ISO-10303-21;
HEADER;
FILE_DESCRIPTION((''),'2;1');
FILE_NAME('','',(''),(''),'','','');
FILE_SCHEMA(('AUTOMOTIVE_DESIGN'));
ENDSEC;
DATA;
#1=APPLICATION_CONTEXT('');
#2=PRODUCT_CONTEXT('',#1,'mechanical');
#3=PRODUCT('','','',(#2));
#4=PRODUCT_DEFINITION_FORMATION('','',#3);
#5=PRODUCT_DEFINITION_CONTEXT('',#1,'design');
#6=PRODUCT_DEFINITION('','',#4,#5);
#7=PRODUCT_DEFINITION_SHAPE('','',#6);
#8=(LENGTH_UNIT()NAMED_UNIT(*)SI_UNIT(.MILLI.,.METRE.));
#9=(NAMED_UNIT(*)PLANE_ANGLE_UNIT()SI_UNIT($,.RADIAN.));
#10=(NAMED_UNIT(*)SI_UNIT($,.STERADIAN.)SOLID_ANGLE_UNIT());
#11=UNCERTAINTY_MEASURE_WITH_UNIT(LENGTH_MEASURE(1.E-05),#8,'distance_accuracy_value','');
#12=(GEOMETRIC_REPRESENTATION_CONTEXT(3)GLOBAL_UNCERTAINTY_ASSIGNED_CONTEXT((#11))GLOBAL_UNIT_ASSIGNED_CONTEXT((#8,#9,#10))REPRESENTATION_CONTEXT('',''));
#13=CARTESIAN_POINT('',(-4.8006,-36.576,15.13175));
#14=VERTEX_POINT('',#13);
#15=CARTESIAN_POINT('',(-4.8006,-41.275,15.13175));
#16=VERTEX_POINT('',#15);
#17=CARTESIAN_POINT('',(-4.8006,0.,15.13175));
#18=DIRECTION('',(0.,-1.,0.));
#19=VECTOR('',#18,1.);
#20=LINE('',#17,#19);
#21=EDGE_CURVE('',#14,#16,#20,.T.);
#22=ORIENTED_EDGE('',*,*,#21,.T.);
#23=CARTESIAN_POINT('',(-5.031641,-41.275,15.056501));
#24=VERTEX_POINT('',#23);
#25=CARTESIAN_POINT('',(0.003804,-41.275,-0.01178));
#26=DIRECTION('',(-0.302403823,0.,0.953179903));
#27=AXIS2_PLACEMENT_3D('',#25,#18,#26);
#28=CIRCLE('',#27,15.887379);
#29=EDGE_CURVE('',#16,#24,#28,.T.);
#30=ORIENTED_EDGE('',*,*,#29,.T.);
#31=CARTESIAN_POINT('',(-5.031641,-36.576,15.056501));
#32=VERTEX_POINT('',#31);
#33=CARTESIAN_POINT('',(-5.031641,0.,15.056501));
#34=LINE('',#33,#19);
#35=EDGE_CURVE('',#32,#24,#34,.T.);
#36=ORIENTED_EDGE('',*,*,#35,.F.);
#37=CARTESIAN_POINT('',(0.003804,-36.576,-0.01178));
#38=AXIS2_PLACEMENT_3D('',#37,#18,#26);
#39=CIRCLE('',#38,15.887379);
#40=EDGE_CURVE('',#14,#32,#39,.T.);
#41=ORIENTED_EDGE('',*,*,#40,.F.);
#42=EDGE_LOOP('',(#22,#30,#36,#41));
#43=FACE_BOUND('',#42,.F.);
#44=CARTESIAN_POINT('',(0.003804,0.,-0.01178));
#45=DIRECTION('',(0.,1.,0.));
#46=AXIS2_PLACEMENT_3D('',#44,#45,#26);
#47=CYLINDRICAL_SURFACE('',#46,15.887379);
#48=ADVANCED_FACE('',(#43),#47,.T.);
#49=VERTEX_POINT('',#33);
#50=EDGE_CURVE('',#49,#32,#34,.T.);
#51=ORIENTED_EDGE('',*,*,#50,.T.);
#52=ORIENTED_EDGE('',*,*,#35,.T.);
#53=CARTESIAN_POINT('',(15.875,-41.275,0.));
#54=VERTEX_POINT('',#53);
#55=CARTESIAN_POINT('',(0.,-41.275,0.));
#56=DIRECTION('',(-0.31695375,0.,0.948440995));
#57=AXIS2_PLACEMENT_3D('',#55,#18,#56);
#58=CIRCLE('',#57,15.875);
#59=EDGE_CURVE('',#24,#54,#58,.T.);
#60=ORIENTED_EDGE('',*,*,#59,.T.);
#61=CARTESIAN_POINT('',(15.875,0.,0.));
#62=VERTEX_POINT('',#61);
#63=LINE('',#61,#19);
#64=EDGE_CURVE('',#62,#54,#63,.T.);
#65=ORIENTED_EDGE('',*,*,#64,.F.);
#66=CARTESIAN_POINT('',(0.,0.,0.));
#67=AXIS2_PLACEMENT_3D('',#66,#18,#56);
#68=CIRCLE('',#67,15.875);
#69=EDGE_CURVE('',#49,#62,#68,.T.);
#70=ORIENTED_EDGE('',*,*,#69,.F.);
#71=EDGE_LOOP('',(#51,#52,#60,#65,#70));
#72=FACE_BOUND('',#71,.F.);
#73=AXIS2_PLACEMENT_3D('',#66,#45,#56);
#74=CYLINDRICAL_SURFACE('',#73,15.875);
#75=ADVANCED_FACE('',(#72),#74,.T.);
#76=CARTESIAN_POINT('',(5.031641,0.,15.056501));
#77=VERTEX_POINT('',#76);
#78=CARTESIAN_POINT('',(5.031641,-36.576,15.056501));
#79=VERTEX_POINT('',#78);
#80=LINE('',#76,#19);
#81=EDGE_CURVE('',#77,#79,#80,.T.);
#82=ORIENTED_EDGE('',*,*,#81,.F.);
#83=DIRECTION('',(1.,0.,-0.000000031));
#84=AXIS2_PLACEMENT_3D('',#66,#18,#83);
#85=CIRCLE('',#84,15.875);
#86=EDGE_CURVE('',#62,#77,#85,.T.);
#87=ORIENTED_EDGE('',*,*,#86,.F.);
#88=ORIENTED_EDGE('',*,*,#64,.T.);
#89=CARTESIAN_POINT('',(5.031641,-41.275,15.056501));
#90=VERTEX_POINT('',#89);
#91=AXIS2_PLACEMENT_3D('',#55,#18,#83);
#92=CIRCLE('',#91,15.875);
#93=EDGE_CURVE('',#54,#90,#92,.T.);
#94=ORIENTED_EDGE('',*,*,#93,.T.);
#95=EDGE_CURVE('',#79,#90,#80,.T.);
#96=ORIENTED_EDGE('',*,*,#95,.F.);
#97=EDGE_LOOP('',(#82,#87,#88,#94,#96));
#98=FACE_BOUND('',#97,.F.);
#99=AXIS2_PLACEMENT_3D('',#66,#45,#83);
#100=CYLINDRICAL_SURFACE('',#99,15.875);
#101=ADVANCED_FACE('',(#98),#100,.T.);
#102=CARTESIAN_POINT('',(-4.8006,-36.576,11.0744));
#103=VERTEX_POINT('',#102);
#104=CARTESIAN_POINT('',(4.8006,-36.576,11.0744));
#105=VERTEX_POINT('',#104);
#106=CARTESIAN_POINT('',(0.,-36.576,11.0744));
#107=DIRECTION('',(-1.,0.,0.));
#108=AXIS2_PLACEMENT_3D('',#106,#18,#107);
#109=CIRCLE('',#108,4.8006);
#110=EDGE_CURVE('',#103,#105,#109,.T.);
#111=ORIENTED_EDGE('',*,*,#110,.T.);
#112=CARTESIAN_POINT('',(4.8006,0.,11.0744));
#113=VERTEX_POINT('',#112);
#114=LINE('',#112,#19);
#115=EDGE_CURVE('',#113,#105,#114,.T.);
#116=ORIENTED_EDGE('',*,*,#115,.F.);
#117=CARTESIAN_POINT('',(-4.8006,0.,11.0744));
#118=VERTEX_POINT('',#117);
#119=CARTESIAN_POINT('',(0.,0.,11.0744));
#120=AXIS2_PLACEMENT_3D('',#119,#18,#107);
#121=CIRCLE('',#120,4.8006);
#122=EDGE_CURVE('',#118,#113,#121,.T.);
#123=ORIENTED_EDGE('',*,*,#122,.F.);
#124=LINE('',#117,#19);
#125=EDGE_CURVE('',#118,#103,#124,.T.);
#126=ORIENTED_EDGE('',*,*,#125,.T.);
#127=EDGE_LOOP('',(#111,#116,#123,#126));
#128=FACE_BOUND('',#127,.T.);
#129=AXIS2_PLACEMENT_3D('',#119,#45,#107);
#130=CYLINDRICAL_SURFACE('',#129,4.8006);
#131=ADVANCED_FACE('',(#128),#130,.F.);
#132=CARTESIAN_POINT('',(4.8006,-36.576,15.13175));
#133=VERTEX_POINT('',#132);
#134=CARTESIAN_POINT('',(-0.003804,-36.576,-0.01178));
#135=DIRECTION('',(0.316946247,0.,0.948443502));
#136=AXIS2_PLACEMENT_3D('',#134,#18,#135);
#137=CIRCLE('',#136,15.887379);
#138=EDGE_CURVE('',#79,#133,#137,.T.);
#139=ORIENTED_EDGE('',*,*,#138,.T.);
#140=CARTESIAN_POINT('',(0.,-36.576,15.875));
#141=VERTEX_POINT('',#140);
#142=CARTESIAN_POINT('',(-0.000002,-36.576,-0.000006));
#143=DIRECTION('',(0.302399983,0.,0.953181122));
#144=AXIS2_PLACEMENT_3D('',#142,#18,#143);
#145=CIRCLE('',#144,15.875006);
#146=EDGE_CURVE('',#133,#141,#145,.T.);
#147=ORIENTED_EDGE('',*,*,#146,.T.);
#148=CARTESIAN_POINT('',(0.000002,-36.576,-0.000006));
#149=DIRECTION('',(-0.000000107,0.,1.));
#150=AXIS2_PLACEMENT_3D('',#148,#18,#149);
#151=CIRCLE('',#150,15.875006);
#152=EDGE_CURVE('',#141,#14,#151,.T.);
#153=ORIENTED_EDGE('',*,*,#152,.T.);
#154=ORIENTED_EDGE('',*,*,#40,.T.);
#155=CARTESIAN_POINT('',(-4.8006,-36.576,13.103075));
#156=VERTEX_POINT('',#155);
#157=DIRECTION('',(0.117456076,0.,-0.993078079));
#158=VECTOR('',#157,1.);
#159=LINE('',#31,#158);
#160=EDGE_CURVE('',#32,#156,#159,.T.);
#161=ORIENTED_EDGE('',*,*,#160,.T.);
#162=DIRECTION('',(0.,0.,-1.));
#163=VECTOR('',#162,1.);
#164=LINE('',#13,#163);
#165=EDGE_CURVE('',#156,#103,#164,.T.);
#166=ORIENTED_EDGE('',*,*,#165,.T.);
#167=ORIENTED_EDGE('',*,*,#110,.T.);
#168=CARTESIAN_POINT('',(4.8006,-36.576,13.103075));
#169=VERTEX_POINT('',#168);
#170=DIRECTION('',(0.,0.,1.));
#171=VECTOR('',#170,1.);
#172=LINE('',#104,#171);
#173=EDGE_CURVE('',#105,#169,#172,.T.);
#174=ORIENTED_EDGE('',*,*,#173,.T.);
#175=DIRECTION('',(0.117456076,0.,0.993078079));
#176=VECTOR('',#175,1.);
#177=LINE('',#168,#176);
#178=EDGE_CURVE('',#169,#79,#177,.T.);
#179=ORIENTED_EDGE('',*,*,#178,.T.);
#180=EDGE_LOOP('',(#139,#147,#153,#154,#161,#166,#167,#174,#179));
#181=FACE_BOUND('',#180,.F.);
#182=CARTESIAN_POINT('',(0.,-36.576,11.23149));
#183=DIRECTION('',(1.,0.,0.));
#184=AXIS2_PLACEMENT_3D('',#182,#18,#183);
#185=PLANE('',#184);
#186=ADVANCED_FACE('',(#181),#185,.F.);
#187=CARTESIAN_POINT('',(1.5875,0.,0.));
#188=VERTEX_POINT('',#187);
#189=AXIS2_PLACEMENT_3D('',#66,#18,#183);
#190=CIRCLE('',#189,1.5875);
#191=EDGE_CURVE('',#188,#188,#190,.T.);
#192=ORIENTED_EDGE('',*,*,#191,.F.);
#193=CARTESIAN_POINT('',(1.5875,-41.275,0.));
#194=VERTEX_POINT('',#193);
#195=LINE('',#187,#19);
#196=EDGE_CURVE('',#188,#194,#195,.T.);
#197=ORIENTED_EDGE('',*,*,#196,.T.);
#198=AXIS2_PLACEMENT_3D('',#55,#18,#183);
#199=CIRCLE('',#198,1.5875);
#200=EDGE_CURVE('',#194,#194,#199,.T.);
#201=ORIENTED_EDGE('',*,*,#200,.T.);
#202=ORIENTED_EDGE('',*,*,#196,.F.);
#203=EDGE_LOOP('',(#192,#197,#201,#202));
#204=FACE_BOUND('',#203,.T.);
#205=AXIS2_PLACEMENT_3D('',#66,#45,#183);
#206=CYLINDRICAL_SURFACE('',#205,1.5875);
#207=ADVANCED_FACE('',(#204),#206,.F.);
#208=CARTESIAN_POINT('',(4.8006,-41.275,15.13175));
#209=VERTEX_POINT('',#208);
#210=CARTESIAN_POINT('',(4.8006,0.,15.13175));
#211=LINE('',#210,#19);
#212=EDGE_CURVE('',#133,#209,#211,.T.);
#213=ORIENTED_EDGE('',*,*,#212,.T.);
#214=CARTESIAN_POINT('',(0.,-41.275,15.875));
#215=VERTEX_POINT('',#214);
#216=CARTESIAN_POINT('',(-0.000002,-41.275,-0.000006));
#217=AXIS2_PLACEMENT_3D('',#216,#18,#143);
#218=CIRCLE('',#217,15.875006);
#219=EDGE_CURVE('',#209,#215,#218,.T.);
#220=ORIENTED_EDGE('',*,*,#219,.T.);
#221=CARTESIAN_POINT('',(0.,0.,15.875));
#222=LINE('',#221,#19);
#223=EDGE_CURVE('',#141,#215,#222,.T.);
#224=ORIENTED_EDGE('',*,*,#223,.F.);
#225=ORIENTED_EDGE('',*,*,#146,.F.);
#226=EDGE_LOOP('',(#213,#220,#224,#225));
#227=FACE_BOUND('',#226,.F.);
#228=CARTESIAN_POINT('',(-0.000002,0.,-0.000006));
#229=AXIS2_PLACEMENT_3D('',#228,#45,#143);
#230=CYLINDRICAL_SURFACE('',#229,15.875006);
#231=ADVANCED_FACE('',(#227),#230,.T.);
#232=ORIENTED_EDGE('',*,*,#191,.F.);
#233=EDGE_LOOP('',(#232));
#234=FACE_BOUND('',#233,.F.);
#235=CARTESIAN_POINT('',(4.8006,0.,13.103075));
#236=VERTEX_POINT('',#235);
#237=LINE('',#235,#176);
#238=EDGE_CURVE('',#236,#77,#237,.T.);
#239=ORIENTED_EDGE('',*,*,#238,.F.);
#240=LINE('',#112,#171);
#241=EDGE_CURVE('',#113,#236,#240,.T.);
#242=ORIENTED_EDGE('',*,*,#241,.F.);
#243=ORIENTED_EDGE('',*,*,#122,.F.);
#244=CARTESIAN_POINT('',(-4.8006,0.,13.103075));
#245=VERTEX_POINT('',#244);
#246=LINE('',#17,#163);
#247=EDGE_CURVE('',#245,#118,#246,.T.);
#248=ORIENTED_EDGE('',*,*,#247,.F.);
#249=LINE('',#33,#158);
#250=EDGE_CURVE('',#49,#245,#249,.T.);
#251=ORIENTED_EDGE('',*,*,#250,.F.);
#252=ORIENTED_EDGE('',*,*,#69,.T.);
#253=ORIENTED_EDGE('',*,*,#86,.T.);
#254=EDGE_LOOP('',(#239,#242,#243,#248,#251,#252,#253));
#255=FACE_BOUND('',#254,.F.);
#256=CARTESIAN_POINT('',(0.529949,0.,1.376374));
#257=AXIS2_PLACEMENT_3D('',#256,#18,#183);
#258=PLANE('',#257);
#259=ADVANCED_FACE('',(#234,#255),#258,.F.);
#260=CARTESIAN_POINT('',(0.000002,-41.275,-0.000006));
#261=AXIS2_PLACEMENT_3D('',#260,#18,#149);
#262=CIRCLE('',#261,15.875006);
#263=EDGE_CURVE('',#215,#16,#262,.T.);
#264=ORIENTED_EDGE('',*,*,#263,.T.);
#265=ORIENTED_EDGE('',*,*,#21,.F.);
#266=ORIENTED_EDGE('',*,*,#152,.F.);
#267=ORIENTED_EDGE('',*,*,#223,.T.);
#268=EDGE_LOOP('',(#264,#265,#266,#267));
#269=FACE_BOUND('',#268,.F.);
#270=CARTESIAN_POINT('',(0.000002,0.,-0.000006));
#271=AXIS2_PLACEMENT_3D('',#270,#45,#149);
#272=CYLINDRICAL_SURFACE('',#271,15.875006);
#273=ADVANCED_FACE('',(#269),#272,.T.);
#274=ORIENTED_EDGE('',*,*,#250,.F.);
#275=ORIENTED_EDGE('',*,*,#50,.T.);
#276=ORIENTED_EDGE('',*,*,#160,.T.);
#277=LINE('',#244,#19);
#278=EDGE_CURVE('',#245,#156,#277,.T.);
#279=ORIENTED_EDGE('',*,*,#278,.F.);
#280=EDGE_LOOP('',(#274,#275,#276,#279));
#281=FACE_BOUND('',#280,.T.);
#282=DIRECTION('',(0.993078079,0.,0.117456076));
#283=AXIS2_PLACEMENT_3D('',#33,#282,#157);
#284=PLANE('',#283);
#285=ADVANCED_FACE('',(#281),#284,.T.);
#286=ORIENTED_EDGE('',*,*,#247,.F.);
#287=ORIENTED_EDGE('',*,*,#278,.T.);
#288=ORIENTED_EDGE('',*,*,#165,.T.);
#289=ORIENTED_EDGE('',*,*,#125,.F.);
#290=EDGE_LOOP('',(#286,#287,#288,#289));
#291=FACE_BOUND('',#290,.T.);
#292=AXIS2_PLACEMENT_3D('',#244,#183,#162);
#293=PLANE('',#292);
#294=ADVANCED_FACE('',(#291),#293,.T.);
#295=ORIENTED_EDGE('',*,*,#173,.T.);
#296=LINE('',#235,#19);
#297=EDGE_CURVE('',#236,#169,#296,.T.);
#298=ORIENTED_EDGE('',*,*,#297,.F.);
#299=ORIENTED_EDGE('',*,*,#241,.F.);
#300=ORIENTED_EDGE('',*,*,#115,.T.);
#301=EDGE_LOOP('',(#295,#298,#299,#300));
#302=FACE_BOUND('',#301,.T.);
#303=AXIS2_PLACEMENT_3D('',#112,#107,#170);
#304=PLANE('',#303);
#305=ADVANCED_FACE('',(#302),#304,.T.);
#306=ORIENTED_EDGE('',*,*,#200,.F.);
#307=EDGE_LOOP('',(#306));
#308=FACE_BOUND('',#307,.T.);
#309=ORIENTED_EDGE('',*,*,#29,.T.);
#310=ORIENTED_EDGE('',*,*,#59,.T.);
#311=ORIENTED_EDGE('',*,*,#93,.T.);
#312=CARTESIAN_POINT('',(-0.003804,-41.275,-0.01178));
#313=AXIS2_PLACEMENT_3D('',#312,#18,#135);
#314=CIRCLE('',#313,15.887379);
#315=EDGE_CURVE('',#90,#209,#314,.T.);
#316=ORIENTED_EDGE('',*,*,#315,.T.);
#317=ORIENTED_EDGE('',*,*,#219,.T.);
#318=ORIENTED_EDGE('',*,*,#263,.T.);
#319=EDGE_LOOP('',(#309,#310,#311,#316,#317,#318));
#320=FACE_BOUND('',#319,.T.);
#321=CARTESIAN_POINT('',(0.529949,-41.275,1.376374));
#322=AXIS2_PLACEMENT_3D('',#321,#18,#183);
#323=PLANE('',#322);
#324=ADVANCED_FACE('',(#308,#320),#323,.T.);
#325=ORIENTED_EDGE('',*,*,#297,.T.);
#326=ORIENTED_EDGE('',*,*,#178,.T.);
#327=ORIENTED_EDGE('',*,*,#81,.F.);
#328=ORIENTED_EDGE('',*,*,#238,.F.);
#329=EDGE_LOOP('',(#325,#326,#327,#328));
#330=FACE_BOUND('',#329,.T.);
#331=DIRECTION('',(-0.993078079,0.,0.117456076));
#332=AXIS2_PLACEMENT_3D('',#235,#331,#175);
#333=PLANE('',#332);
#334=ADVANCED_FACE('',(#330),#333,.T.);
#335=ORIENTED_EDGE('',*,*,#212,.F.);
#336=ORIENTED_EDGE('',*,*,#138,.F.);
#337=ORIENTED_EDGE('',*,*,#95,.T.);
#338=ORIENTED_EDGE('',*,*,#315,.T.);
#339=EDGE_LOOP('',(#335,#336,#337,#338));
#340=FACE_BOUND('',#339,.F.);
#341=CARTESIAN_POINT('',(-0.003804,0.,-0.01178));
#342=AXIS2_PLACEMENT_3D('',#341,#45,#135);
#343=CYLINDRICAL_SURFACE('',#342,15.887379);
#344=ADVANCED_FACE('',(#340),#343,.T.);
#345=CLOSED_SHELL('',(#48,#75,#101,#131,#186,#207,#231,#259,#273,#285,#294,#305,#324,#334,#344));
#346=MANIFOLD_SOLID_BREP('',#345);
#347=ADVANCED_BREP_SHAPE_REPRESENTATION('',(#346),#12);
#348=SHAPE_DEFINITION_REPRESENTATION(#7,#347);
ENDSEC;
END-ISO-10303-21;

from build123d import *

# Parameters (mm, degrees)
F0_R     = 1.5875
F1_DEPTH = 41.275
F2_DEPTH = 36.576


with BuildPart() as f1:
    # F0 (on Front) → F1 (new body)
    with BuildSketch(Plane.XZ):
        with BuildLine():
            ThreePointArc((-5.031641, 15.056501), (-9.277347, -12.882021), (15.875, 0))
            ThreePointArc((15.875, 0), (12.882021, 9.277347), (5.031641, 15.056501))
            Line((5.031641, 15.056501), (4.8006, 13.103075))
            Line((4.8006, 13.103075), (4.8006, 11.0744))
            ThreePointArc((4.8006, 11.0744), (0, 6.2738), (-4.8006, 11.0744))
            Line((-4.8006, 11.0744), (-4.8006, 13.103075))
            Line((-4.8006, 13.103075), (-5.031641, 15.056501))
        make_face()
        Circle(F0_R, mode=Mode.SUBTRACT)
        with BuildLine():
            Line((4.8006, 13.103075), (4.8006, 15.13175))
            ThreePointArc((4.8006, 15.13175), (2.428898, 15.688087), (0, 15.875))
            ThreePointArc((0, 15.875), (3.394537, 14.468937), (4.8006, 11.0744))
            Line((4.8006, 11.0744), (4.8006, 13.103075))
        make_face()
        with BuildLine():
            ThreePointArc((-4.8006, 15.13175), (-4.916265, 15.094567), (-5.031641, 15.056501))
            Line((-5.031641, 15.056501), (-4.8006, 13.103075))
            Line((-4.8006, 13.103075), (-4.8006, 15.13175))
        make_face()
        with BuildLine():
            ThreePointArc((4.8006, 11.0744), (3.394537, 14.468937), (0, 15.875))
            ThreePointArc((0, 15.875), (-3.394537, 14.468937), (-4.8006, 11.0744))
            ThreePointArc((-4.8006, 11.0744), (0, 6.2738), (4.8006, 11.0744))
        make_face()
        with BuildLine():
            Line((4.8006, 13.103075), (5.031641, 15.056501))
            ThreePointArc((5.031641, 15.056501), (4.916265, 15.094567), (4.8006, 15.13175))
            Line((4.8006, 15.13175), (4.8006, 13.103075))
        make_face()
        with BuildLine():
            ThreePointArc((0, 15.875), (-2.428898, 15.688087), (-4.8006, 15.13175))
            Line((-4.8006, 15.13175), (-4.8006, 13.103075))
            Line((-4.8006, 13.103075), (-4.8006, 11.0744))
            ThreePointArc((-4.8006, 11.0744), (-3.394537, 14.468937), (0, 15.875))
        make_face()
    extrude(amount=F1_DEPTH)

    # F0 (on Front) → F2 (cut)
    with BuildSketch(Plane.XZ):
        with BuildLine():
            ThreePointArc((4.8006, 11.0744), (3.394537, 14.468937), (0, 15.875))
            ThreePointArc((0, 15.875), (-3.394537, 14.468937), (-4.8006, 11.0744))
            ThreePointArc((-4.8006, 11.0744), (0, 6.2738), (4.8006, 11.0744))
        make_face()
        with BuildLine():
            Line((4.8006, 13.103075), (4.8006, 15.13175))
            ThreePointArc((4.8006, 15.13175), (2.428898, 15.688087), (0, 15.875))
            ThreePointArc((0, 15.875), (3.394537, 14.468937), (4.8006, 11.0744))
            Line((4.8006, 11.0744), (4.8006, 13.103075))
        make_face()
        with BuildLine():
            ThreePointArc((0, 15.875), (-2.428898, 15.688087), (-4.8006, 15.13175))
            Line((-4.8006, 15.13175), (-4.8006, 13.103075))
            Line((-4.8006, 13.103075), (-4.8006, 11.0744))
            ThreePointArc((-4.8006, 11.0744), (-3.394537, 14.468937), (0, 15.875))
        make_face()
        with BuildLine():
            ThreePointArc((-4.8006, 15.13175), (-4.916265, 15.094567), (-5.031641, 15.056501))
            Line((-5.031641, 15.056501), (-4.8006, 13.103075))
            Line((-4.8006, 13.103075), (-4.8006, 15.13175))
        make_face()
        with BuildLine():
            Line((4.8006, 13.103075), (5.031641, 15.056501))
            ThreePointArc((5.031641, 15.056501), (4.916265, 15.094567), (4.8006, 15.13175))
            Line((4.8006, 15.13175), (4.8006, 13.103075))
        make_face()
    extrude(amount=F2_DEPTH, mode=Mode.SUBTRACT)


solid = f1.part
